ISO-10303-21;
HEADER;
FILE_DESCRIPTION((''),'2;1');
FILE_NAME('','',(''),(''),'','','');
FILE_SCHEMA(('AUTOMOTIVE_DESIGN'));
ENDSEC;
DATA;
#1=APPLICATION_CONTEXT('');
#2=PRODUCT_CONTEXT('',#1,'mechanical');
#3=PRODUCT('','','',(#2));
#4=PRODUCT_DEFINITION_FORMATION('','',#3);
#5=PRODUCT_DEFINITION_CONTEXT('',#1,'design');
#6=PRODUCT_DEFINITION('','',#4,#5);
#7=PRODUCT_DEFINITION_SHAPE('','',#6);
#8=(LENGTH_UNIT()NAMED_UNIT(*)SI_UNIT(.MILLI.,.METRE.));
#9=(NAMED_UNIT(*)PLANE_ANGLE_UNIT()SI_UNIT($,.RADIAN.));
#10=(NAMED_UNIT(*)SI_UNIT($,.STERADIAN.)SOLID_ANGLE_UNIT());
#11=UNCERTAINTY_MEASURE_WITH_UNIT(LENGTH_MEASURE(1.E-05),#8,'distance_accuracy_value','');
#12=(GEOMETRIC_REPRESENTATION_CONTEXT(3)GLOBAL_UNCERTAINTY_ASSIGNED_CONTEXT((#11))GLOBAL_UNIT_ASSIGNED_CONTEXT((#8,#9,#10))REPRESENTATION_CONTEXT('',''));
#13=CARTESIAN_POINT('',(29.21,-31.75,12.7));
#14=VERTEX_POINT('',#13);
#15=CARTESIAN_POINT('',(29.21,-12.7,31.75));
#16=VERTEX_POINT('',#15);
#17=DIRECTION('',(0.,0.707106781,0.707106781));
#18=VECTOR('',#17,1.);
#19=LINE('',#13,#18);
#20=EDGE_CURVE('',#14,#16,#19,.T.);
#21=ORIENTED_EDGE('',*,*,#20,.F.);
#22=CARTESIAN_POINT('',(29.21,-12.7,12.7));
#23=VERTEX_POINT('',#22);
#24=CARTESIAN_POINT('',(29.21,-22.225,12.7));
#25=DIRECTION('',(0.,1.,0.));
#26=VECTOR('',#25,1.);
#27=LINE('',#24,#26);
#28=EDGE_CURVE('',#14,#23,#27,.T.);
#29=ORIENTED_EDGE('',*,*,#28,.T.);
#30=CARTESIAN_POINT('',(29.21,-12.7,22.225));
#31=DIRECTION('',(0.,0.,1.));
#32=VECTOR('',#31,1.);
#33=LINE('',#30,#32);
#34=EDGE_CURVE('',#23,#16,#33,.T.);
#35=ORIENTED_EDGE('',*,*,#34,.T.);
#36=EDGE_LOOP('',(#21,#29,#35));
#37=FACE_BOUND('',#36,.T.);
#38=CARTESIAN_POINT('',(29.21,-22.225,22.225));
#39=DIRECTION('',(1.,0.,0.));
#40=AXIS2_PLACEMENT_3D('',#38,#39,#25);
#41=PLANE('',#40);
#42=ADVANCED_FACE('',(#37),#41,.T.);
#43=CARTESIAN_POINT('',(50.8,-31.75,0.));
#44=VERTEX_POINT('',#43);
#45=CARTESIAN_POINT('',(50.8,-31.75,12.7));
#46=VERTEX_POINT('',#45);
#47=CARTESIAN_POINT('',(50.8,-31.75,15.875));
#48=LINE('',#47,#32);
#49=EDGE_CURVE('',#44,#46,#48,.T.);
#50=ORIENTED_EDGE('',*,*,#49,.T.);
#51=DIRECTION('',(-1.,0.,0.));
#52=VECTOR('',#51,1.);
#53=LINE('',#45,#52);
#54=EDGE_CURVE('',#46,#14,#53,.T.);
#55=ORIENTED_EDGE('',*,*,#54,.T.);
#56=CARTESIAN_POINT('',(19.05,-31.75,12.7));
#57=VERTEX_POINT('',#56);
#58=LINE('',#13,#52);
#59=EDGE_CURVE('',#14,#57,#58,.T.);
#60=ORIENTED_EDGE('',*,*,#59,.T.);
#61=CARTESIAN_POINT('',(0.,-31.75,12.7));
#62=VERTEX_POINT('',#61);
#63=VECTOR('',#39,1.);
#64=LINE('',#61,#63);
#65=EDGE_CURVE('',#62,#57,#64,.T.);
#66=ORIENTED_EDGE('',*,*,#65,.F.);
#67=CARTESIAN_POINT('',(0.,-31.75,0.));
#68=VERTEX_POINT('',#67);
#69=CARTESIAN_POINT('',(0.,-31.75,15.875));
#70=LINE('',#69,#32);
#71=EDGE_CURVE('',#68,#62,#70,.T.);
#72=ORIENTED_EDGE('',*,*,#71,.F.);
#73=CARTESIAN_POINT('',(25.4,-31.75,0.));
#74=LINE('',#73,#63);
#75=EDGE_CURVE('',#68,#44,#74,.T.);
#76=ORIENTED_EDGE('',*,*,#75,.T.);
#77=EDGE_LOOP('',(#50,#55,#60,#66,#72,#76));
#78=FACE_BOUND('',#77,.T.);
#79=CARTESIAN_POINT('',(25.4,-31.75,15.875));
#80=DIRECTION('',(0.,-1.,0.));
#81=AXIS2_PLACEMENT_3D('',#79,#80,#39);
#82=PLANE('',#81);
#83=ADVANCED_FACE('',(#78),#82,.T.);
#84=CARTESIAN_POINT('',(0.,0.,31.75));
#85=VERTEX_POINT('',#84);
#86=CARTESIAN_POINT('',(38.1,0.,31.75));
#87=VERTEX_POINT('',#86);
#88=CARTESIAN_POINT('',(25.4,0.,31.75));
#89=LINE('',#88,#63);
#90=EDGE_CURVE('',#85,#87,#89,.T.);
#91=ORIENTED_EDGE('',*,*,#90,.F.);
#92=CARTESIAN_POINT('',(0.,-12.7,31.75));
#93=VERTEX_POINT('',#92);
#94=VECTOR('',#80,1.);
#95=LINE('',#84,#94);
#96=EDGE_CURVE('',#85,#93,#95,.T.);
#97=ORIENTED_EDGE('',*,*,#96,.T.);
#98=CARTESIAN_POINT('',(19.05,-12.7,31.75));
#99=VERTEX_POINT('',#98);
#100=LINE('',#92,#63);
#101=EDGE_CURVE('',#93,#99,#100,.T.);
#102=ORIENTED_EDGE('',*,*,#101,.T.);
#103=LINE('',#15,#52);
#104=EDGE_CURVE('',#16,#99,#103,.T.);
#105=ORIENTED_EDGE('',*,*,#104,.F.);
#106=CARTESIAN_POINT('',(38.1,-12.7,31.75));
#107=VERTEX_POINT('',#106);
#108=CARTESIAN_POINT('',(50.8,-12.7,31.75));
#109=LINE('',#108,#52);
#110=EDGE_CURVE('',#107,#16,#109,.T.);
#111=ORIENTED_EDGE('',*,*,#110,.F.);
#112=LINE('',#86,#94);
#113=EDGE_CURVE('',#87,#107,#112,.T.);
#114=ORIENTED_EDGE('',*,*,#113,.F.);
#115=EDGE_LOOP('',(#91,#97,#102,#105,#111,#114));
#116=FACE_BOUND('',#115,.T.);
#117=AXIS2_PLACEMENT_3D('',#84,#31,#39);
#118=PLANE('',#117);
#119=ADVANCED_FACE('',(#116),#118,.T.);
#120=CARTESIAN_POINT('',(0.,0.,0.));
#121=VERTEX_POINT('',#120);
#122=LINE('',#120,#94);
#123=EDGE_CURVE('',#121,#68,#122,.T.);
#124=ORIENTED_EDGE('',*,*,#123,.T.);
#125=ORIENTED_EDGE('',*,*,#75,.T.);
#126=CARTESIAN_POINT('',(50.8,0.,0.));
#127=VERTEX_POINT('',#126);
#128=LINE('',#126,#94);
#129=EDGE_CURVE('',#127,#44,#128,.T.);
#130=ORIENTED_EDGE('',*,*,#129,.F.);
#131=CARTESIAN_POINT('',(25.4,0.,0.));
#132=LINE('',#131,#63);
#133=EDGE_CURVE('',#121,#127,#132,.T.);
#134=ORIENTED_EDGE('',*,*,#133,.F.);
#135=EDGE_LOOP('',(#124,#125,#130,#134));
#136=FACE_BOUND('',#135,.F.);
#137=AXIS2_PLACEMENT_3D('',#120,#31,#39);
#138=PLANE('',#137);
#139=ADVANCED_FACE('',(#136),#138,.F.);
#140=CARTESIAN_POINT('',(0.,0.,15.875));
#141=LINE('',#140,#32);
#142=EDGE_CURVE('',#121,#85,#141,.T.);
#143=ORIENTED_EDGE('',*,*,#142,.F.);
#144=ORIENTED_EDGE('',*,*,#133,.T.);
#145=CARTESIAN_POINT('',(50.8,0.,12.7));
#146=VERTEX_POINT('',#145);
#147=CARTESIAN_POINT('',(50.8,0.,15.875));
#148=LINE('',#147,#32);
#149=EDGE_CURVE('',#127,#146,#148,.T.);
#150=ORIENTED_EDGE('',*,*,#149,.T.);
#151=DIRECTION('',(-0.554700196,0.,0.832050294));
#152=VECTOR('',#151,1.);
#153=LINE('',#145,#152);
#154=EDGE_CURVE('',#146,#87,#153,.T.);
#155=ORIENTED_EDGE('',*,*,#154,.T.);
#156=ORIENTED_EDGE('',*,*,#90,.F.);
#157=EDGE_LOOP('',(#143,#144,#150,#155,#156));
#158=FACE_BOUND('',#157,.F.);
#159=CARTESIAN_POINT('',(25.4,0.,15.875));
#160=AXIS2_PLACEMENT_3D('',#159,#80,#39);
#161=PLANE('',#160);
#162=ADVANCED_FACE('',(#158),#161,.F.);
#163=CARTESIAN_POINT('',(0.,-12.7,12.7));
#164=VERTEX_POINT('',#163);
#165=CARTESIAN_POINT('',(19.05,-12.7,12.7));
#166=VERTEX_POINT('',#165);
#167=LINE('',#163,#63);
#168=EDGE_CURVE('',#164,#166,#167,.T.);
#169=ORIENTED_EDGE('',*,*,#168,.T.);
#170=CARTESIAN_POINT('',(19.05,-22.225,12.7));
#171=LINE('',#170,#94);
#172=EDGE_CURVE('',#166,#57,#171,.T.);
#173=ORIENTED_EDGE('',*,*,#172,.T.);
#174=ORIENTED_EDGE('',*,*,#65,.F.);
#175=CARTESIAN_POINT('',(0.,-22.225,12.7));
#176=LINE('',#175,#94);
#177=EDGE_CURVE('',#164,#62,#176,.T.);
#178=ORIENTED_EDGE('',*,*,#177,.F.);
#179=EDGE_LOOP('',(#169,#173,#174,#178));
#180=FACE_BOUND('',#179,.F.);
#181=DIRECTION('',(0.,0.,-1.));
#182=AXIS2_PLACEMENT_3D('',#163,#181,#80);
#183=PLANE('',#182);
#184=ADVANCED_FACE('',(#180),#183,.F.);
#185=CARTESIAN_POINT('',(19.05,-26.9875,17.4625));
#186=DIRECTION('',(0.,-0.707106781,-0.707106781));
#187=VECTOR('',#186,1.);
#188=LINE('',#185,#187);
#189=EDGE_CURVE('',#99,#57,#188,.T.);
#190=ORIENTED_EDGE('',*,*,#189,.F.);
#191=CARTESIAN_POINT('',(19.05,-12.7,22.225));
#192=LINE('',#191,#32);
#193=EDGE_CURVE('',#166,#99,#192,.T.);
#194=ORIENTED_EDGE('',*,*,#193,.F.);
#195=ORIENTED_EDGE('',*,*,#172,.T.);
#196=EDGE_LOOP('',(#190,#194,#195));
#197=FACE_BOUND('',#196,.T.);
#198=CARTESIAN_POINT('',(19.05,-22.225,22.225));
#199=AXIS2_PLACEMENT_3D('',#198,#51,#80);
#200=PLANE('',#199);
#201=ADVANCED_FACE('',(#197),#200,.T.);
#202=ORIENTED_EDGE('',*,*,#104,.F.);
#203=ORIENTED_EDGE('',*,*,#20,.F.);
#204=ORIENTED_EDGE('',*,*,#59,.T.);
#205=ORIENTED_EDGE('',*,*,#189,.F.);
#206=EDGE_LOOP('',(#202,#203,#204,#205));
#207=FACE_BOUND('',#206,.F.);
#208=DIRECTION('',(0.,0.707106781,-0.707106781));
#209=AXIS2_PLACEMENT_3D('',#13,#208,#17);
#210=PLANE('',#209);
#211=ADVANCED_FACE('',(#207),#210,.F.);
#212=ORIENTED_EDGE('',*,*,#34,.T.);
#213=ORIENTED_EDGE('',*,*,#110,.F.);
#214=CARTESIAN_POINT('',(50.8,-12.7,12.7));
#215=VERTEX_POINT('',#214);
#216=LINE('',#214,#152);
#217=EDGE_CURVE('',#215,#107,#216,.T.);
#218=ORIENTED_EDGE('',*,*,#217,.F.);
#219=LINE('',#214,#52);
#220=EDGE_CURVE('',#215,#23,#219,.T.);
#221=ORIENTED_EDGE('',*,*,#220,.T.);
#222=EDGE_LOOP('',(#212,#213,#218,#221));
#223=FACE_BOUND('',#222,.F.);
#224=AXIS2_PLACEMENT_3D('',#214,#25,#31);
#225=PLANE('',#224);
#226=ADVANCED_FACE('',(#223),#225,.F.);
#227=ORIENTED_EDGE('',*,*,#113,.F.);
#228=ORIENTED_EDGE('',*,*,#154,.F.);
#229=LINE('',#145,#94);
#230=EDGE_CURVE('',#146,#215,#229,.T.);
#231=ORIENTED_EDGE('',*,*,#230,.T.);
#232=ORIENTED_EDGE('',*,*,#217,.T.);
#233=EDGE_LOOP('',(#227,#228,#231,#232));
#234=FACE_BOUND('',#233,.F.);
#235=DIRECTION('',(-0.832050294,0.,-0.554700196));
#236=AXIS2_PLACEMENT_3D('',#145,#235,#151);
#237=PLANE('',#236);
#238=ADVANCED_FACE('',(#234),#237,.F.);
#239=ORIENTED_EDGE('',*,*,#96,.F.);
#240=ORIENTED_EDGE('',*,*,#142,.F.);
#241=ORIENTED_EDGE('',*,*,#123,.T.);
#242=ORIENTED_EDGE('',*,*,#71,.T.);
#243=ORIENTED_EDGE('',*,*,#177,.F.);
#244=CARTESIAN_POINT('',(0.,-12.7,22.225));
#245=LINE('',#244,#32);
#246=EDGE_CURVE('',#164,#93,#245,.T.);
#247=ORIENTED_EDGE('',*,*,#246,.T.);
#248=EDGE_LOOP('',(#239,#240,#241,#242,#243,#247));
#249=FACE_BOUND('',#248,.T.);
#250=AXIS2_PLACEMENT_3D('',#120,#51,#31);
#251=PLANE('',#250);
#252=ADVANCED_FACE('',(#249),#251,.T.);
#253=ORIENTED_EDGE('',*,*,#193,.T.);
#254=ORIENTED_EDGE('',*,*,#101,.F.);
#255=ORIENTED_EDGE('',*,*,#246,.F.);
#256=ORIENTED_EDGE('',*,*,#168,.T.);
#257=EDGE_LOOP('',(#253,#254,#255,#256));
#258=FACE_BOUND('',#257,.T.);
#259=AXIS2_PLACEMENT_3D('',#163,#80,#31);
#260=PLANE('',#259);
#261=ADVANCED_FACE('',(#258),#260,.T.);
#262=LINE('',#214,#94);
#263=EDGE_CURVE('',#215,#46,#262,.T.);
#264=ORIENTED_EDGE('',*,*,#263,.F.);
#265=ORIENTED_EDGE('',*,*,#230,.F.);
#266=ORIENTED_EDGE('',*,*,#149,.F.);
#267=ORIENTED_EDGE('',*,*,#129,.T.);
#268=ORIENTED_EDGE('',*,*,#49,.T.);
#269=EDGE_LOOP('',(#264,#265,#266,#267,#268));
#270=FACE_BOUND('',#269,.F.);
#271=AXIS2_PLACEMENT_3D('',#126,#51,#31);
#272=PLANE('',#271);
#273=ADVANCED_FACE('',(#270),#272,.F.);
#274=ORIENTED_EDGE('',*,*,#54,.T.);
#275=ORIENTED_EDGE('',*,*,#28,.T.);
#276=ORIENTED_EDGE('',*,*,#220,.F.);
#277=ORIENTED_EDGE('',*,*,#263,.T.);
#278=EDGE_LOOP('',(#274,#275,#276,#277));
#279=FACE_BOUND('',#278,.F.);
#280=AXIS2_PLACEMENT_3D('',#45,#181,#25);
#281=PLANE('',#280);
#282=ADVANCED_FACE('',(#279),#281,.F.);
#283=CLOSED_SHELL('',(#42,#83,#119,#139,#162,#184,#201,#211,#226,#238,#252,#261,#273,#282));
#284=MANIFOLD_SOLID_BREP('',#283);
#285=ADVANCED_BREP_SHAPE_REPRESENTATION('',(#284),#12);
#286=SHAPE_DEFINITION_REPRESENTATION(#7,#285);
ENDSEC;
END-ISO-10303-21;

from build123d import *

# Parameters (mm, degrees)
F0_W     = 50.8
F0_H     = 31.75
F1_DEPTH = 31.75
F2_W     = 19.05
F2_H     = 19.05
F3_DEPTH = 19.05
F4_W     = 19.05
F4_H     = 19.05
F5_DEPTH = 21.59
F7_DEPTH = 25.4
F9_DEPTH = 25.4


with BuildPart() as f1:
    # F0 (on Front) → F1 (new body)
    with BuildSketch(Plane.XZ):
        with Locations((25.4, 15.875)):
            Rectangle(F0_W, F0_H)
    extrude(amount=F1_DEPTH)

    # F2 (on face) → F3 (cut)
    with BuildSketch(Plane(origin=(0, 0, 0), x_dir=(0, -1, 0), z_dir=(-1, 0, 0))):
        with Locations((22.225, 22.225)):
            Rectangle(F2_W, F2_H)
    extrude(amount=-F3_DEPTH, mode=Mode.SUBTRACT)

    # F4 (on face) → F5 (cut)
    with BuildSketch(Plane.YZ.offset(50.8)):
        with Locations((-22.225, 22.225)):
            Rectangle(F4_W, F4_H)
    extrude(amount=-F5_DEPTH, mode=Mode.SUBTRACT)

    # F6 (on face) → F7 (cut)
    with BuildSketch(Plane.YZ.offset(29.21)):
        Polygon((-31.75, 31.75), (-31.75, 12.7), (-12.7, 31.75), align=None)
    extrude(amount=-F7_DEPTH, mode=Mode.SUBTRACT)

    # F8 (on face) → F9 (cut)
    with BuildSketch(Plane(origin=(0, 0, 0), x_dir=(-1, 0, 0), z_dir=(0, 1, 0))):
        Polygon((-38.1, 31.75), (-50.8, 31.75), (-50.8, 12.7), align=None)
    extrude(amount=-F9_DEPTH, mode=Mode.SUBTRACT)


solid = f1.part
